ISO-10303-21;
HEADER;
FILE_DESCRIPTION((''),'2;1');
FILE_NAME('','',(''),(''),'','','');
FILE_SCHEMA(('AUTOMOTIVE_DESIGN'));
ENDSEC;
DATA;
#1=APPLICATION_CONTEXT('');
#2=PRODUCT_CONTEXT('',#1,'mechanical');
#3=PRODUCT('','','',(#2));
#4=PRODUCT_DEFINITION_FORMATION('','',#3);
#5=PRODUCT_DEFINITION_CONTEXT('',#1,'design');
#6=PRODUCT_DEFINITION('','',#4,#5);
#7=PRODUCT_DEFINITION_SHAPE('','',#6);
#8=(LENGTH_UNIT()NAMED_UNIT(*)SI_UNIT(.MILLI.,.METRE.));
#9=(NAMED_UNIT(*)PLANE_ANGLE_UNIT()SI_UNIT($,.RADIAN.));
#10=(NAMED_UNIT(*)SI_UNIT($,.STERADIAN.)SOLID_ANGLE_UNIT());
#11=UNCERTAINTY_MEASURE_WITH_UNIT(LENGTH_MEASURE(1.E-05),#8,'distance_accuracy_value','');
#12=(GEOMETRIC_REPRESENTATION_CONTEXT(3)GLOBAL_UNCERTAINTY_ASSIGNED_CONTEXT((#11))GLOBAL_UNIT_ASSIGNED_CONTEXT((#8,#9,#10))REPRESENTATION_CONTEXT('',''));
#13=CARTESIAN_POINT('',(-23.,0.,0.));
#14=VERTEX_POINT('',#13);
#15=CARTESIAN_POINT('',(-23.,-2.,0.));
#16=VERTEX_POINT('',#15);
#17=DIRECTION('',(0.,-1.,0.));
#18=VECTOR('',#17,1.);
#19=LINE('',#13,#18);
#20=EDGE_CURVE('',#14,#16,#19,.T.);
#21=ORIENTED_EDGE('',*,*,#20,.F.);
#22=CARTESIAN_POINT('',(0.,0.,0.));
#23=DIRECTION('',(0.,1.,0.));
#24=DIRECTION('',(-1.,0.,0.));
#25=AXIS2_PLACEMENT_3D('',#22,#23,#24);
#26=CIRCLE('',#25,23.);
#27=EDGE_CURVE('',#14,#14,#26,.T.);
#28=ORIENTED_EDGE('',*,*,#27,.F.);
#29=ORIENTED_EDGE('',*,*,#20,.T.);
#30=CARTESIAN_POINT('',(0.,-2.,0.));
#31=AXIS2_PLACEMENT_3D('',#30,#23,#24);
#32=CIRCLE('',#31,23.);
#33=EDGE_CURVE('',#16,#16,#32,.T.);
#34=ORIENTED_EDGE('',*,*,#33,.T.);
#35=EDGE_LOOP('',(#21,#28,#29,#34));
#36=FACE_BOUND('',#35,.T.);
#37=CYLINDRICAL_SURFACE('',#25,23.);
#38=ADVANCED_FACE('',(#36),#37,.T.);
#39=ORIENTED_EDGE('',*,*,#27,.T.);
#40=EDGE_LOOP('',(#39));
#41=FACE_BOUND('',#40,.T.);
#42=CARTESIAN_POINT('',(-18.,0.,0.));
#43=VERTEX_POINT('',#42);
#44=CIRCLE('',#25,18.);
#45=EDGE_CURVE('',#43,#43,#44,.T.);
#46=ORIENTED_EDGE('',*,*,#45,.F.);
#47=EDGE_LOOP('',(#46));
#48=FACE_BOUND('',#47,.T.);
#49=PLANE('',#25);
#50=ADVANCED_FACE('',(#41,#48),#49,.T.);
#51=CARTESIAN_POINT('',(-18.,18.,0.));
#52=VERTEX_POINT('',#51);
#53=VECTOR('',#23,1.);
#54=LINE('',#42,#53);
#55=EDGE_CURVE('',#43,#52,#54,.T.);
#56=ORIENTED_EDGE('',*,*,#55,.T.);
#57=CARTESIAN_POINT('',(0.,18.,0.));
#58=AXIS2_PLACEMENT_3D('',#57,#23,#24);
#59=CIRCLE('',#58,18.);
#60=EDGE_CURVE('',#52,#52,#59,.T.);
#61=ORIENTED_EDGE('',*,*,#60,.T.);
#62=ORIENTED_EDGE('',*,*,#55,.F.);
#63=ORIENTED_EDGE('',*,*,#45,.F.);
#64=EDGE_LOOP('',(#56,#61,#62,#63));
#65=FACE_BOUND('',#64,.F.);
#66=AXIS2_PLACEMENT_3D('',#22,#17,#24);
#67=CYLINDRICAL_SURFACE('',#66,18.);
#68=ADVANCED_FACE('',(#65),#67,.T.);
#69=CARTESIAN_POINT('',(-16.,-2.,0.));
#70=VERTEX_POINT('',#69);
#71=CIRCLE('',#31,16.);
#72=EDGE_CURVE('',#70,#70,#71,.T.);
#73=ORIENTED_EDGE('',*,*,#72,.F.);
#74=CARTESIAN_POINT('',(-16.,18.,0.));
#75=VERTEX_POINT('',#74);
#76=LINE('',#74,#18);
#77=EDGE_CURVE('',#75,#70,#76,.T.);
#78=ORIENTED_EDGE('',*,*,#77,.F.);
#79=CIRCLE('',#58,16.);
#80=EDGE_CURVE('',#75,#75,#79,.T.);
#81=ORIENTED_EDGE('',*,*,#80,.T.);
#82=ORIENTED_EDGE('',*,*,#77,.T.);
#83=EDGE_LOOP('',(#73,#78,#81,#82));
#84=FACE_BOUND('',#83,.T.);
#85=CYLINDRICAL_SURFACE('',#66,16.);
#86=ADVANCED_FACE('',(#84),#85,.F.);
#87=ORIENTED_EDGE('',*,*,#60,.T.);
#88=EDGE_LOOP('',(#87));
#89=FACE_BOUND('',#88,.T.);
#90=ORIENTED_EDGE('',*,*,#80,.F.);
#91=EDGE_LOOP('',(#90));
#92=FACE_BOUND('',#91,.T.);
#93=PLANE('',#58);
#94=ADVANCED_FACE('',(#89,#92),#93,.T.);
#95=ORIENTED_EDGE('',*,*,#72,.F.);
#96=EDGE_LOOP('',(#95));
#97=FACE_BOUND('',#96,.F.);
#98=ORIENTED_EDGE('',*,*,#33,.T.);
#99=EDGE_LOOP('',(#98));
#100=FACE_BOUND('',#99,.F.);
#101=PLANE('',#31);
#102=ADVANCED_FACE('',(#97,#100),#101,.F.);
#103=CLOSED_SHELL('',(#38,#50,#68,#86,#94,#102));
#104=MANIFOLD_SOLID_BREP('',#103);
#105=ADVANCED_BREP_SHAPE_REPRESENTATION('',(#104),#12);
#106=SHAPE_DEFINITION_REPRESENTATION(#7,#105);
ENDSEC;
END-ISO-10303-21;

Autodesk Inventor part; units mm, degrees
ref_plane "YZ Plane" through (0, 0, 0) normal (1, 0, 0) x (0, 1, 0)
ref_plane "XZ Plane" through (0, 0, 0) normal (0, 1, 0) x (-1, 0, 0)
ref_plane "XY Plane" through (0, 0, 0) normal (0, 0, 1) x (1, 0, 0)
sketch "スケッチ1" plane through (0, 0, 0) normal (0, 1, 0) x (-1, 0, 0)
  circle A0 centre (0, 0) radius 18
  circle A1 centre (0, 0) radius 16
  circle A2 centre (0, 0) radius 23
  dimension "d0" = 36
  dimension "d1" = 32
  dimension "d2" = 46
extrude "押し出し1" add sketch "スケッチ1" along normal blind 18 contours A0
extrude "押し出し2" add sketch "スケッチ1" against normal blind 2 contours A0 | A2
equation "\"BendRadius\" = Thickness"
equation "\"BendReliefWidth\" = Thickness"
equation "\"BendReliefDepth\" = 0.5 * Thickness"
equation "\"CornerReliefSize\" = 4 * Thickness"
equation "\"MinimumRemnant\" = 2 * Thickness"
equation "\"TransitionRadius\" = BendRadius"
equation "\"JacobiRadiusSize\" = BendRadius"
equation "\"GapSize\" = Thickness"
equation "\"Thickness\" = 3.048"
properties part number "bush"
